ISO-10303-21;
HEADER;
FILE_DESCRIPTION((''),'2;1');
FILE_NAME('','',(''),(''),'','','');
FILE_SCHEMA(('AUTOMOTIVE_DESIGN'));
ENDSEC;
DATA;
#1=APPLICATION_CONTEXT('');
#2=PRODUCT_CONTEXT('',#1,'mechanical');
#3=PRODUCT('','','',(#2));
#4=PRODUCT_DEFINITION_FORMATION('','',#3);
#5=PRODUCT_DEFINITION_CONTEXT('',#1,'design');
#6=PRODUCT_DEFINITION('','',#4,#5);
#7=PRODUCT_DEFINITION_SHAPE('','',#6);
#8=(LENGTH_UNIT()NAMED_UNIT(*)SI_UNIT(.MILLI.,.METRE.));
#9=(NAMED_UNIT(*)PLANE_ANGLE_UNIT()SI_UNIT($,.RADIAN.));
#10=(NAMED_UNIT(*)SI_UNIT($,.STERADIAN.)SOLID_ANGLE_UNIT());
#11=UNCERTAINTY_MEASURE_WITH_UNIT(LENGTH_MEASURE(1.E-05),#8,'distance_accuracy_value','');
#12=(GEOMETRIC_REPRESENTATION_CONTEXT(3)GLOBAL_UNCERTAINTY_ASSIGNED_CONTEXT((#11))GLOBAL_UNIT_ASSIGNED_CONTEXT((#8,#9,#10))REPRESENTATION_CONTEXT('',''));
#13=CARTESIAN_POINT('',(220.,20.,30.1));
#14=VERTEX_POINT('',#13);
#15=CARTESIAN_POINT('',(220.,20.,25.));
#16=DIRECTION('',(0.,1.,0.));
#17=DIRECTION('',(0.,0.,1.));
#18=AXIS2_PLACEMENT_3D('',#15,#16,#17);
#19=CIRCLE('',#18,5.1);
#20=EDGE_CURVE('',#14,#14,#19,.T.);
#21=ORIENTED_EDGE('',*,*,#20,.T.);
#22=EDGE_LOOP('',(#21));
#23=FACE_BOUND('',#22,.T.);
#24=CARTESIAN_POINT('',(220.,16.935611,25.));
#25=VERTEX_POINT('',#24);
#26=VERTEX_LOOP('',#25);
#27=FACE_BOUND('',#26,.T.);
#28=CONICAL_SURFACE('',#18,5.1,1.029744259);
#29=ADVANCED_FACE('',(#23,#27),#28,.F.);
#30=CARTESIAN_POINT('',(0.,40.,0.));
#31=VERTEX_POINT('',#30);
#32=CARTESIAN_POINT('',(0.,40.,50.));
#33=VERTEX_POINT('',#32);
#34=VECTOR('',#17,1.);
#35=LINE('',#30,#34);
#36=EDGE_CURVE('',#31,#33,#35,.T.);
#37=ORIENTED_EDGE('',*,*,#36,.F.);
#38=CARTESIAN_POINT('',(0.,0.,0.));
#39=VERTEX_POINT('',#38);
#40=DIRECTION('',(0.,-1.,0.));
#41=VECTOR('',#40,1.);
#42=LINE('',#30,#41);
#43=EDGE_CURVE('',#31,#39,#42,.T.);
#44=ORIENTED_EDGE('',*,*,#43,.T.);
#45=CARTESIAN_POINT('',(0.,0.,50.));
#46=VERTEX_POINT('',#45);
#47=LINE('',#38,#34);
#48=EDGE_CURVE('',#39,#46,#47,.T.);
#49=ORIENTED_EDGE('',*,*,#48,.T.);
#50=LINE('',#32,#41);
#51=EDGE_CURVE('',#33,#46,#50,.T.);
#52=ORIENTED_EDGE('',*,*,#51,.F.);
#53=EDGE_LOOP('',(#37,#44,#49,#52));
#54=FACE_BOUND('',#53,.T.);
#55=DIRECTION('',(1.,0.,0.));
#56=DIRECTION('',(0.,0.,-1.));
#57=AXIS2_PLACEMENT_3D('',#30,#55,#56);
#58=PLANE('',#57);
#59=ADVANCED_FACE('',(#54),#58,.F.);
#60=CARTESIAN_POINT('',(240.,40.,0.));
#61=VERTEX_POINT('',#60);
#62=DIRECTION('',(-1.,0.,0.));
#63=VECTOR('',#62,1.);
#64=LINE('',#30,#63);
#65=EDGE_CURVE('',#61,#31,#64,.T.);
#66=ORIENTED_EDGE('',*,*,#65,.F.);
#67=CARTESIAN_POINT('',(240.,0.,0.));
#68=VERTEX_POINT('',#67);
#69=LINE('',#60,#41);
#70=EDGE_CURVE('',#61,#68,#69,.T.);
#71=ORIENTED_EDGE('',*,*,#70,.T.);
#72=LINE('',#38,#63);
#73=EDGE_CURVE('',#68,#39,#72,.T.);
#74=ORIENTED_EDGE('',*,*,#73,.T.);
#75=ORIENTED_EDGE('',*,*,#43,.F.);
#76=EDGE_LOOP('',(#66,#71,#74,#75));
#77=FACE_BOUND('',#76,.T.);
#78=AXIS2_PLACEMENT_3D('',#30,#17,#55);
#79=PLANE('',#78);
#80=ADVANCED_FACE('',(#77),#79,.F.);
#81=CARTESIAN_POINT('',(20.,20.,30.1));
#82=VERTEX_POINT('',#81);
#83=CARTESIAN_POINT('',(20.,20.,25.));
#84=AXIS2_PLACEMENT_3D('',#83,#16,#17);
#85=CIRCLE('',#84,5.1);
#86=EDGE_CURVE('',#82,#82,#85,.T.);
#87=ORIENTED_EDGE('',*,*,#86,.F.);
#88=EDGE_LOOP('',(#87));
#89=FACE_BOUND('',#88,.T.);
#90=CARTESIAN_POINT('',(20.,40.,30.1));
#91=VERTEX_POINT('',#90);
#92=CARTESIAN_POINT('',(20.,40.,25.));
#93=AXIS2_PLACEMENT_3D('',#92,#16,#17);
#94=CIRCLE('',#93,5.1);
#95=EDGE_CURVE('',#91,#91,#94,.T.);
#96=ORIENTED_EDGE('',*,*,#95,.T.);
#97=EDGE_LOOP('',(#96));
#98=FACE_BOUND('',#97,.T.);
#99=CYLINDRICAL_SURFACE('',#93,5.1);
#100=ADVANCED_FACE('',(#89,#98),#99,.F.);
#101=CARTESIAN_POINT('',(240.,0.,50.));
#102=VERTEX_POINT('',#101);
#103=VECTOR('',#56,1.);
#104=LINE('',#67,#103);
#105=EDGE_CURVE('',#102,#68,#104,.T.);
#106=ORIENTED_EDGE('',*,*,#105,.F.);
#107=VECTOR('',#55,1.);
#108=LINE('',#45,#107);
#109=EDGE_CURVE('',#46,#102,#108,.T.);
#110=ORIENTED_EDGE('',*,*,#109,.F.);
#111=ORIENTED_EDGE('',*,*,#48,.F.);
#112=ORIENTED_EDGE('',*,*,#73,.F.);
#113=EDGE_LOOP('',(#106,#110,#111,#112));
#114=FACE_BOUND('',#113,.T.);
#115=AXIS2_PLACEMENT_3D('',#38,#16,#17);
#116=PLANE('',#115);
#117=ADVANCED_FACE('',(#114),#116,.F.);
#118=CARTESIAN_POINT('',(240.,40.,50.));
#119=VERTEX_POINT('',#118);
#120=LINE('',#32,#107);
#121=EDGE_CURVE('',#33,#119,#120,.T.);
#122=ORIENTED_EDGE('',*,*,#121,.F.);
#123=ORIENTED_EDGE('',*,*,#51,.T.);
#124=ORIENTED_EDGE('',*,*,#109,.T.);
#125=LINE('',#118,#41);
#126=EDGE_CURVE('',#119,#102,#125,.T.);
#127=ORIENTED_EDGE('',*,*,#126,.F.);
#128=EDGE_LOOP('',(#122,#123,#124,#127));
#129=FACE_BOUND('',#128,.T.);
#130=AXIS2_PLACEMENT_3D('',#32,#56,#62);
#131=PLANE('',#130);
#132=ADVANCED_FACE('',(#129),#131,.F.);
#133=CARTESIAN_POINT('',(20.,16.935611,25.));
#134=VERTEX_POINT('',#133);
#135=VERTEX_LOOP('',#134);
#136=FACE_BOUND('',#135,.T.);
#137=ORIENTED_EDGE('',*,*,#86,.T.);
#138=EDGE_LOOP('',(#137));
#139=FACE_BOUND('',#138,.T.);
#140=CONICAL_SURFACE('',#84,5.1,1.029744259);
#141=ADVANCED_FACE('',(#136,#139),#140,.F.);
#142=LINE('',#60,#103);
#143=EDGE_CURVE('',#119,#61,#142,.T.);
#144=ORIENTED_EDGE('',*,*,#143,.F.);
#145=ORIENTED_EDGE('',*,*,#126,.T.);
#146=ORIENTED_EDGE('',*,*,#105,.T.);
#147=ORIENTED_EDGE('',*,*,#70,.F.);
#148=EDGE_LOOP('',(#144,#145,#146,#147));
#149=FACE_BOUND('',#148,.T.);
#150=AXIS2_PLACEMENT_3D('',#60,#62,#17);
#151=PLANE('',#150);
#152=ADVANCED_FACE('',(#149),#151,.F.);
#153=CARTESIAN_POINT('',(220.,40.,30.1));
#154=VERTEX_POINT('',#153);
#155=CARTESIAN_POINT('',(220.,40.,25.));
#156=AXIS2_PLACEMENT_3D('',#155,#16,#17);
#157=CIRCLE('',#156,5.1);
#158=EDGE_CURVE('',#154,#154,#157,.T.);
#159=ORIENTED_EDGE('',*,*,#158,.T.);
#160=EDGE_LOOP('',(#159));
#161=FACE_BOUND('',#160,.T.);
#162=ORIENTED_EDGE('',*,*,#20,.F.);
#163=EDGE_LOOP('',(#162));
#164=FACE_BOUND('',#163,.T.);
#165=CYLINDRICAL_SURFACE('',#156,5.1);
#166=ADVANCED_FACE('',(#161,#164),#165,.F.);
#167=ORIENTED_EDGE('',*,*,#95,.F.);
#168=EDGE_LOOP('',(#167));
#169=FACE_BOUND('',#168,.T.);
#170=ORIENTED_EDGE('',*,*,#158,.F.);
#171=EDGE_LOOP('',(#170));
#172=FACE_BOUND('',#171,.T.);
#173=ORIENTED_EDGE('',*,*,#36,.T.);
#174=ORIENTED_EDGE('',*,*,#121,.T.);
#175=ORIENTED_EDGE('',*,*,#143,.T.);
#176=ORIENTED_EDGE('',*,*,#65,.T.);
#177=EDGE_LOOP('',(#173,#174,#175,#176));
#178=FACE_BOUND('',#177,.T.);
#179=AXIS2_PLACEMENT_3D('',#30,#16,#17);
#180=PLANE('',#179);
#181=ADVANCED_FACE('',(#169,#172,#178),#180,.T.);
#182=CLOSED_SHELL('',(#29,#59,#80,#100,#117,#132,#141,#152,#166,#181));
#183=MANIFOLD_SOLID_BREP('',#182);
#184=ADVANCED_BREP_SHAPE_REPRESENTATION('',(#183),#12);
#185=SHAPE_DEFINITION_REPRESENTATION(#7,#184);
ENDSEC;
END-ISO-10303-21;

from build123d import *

# Parameters (mm, degrees)
SKETCH1_W                   = 240
SKETCH1_H                   = 50
BOSS_EXTRUDE1_DEPTH         = 40
M12X1_75_TAPPED_HOLE1_D     = 10.2
M12X1_75_TAPPED_HOLE1_DEPTH = 20
M12X1_75_TAPPED_HOLE1_TIP   = 3.064389157


with BuildPart() as part:
    # Sketch1 → Boss-Extrude1 (new body)
    with BuildSketch(Plane(origin=(0, 0, 0), x_dir=(1, 0, 0), z_dir=(0, 1, 0))):
        with Locations((120, -25)):
            Rectangle(SKETCH1_W, SKETCH1_H)
    extrude(amount=BOSS_EXTRUDE1_DEPTH)

    # M12x1.75 Tapped Hole1
    with Locations(Plane(origin=(0, 40, 0), x_dir=(1, 0, 0), z_dir=(0, 1, 0))):
        with Locations((20, -25), (220, -25)):
            Hole(M12X1_75_TAPPED_HOLE1_D / 2, depth=M12X1_75_TAPPED_HOLE1_DEPTH)
            with Locations((0, 0, -(M12X1_75_TAPPED_HOLE1_DEPTH + M12X1_75_TAPPED_HOLE1_TIP / 2))):  # 118° drill point
                Cone(0, M12X1_75_TAPPED_HOLE1_D / 2, M12X1_75_TAPPED_HOLE1_TIP, mode=Mode.SUBTRACT)


solid = part.part
